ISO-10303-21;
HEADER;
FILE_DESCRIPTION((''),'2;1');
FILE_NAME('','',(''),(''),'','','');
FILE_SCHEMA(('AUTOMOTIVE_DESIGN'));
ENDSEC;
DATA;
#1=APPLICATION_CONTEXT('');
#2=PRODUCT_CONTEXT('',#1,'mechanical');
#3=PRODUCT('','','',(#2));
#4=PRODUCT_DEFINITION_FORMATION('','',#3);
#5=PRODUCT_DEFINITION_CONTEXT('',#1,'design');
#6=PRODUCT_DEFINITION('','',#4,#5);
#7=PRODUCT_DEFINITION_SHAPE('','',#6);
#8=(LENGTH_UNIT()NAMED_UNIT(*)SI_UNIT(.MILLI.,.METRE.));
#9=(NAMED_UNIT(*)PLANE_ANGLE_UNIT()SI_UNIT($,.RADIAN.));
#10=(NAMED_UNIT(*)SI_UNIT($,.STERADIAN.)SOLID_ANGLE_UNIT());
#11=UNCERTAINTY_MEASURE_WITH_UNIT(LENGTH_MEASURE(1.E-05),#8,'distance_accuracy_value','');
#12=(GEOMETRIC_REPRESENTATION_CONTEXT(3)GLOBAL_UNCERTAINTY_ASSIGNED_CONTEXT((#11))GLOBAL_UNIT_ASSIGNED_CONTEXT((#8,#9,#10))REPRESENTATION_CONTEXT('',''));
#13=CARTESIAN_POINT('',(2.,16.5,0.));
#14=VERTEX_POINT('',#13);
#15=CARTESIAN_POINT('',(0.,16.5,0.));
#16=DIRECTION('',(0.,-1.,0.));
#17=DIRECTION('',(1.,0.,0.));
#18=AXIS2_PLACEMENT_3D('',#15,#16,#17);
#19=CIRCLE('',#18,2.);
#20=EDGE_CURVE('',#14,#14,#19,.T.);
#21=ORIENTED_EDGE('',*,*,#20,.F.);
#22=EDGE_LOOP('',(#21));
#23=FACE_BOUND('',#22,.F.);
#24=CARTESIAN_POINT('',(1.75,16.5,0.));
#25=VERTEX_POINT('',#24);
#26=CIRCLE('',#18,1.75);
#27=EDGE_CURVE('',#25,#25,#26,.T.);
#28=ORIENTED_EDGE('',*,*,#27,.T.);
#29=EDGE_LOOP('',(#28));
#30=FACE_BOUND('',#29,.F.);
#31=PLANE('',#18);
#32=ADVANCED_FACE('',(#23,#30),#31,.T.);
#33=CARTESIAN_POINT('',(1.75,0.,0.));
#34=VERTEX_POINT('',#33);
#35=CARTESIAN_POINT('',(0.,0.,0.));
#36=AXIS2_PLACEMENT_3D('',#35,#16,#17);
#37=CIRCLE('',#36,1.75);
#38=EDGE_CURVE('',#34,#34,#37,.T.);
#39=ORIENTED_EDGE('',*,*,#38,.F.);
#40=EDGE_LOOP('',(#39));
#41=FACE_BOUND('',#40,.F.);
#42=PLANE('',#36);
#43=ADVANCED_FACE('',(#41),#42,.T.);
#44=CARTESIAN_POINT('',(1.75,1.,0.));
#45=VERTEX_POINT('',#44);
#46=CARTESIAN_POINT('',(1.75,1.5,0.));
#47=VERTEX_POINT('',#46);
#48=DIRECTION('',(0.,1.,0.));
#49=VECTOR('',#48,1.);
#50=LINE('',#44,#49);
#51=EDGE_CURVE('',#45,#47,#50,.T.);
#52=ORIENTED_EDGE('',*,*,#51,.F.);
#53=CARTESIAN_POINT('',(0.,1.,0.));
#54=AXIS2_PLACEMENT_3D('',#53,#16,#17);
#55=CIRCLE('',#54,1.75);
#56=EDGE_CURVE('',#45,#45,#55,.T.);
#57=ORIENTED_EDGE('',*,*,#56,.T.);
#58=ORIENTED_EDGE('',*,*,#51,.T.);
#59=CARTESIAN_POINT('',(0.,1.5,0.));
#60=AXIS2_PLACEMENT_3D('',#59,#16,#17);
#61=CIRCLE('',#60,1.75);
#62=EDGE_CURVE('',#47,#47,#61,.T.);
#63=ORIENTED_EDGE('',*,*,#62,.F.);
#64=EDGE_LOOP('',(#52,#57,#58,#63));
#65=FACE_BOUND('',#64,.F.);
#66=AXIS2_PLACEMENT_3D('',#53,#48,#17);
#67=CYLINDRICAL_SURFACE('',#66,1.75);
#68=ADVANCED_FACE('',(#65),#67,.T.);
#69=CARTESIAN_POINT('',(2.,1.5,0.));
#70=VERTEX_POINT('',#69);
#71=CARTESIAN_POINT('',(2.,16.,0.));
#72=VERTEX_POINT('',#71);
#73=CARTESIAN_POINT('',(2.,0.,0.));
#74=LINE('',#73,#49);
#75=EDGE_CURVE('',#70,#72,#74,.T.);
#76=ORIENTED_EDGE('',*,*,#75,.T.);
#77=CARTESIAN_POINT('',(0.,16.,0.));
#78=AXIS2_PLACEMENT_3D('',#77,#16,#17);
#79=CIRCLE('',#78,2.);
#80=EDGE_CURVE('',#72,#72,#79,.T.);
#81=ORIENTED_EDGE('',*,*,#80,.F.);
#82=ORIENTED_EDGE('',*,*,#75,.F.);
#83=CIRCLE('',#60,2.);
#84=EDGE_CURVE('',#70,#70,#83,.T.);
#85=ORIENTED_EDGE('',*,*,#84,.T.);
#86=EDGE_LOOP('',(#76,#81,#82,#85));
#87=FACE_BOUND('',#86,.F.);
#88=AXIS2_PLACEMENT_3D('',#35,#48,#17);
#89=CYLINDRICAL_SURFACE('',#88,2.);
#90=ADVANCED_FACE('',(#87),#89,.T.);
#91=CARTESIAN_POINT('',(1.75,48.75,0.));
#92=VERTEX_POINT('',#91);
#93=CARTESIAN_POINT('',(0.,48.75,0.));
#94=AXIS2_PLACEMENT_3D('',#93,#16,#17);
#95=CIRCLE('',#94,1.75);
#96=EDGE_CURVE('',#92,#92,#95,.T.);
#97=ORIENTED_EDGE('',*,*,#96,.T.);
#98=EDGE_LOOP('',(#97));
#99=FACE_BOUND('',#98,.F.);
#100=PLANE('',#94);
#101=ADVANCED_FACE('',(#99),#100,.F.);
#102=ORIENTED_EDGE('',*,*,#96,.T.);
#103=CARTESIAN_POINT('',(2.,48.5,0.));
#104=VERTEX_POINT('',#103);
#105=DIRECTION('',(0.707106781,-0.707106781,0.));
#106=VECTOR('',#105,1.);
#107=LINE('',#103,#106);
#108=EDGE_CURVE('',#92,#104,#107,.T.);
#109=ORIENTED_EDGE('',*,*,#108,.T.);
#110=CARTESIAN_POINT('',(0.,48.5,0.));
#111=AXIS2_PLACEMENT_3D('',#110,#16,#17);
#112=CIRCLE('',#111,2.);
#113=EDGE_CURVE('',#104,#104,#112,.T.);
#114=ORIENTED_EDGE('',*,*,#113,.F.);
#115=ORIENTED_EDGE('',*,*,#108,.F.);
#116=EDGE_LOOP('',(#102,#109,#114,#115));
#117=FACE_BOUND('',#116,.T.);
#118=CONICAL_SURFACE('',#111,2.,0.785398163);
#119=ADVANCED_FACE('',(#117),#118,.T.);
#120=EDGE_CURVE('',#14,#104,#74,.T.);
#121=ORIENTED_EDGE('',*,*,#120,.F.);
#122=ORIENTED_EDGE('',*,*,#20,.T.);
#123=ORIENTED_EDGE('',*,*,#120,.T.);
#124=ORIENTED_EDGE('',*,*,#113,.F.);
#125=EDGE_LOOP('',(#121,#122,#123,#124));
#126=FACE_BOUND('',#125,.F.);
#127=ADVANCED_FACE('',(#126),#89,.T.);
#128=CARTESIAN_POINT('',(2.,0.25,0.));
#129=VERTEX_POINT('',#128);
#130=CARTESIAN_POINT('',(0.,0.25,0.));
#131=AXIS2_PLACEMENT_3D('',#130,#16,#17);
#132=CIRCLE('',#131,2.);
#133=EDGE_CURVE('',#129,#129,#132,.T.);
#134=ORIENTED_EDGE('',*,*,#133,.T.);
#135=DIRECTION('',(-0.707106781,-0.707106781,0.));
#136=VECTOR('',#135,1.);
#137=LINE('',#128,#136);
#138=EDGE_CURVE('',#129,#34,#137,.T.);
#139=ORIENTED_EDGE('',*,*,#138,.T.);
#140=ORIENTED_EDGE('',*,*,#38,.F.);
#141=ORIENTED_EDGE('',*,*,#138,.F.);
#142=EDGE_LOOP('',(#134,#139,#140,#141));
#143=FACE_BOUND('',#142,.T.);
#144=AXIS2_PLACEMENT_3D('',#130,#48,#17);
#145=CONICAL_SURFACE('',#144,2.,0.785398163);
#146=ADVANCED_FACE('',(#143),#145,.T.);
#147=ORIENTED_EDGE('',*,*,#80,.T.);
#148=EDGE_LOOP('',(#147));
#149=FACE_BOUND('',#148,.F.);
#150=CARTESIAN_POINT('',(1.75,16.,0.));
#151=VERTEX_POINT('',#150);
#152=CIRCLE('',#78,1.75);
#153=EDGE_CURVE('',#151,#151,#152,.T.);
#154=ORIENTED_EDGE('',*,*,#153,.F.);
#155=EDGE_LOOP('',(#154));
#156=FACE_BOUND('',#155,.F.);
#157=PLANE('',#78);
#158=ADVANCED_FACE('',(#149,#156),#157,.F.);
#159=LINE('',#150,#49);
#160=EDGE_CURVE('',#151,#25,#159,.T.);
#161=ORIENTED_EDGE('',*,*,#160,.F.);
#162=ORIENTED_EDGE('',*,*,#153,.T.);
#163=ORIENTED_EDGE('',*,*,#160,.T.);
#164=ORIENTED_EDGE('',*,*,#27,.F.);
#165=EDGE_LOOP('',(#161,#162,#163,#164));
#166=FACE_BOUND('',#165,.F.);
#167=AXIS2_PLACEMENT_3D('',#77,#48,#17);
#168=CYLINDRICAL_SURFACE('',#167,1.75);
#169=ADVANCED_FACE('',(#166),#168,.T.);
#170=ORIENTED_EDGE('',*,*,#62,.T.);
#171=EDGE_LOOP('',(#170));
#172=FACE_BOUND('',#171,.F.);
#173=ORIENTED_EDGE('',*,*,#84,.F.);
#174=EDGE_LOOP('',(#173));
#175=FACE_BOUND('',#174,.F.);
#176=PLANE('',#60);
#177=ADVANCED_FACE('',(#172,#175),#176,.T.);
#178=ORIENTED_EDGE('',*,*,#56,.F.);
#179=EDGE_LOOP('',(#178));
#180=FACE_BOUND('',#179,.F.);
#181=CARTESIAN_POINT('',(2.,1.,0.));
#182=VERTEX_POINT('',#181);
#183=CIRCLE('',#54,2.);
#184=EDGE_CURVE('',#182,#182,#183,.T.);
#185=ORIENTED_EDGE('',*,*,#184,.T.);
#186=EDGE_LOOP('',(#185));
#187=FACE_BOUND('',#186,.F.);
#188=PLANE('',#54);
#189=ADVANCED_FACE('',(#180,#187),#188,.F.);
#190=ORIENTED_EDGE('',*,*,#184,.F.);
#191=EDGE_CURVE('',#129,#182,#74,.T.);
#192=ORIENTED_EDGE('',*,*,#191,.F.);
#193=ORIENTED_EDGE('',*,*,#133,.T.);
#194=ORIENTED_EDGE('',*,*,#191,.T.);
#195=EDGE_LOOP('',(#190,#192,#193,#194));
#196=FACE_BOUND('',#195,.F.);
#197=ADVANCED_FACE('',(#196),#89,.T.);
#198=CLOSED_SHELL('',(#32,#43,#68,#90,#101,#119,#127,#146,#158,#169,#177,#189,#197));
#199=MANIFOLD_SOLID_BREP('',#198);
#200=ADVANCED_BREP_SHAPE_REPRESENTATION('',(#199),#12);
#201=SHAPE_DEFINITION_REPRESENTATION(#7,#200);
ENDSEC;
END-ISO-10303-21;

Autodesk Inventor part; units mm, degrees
ref_plane "YZ Plane" through (0, 0, 0) normal (1, 0, 0) x (0, 1, 0)
ref_plane "XZ Plane" through (0, 0, 0) normal (0, 1, 0) x (-1, 0, 0)
ref_plane "XY Plane" through (0, 0, 0) normal (0, 0, 1) x (1, 0, 0)
sketch "Sketch2" plane through (0, 0, 0) normal (0, 0, 1) x (1, 0, 0)
  line L0 (0, 0) -> (2, 0)
  line L1 (2, 0) -> (2, 48.75)
  line L2 (2, 48.75) -> (0, 48.75)
  line L3 (0, 48.75) -> (0, 0)
  line L4 (2, 1) -> (1.75, 1)
  line L5 (1.75, 1) -> (1.75, 1.5)
  line L6 (1.75, 1.5) -> (2, 1.5)
  line L7 (2, 1.5) -> (2, 1)
  line L8 (2, 16) -> (1.75, 16)
  line L9 (1.75, 16) -> (1.75, 16.5)
  line L10 (1.75, 16.5) -> (2, 16.5)
  line L11 (2, 16.5) -> (2, 16)
  dimension "d3" = 2
  dimension "d4" = 48.75
  dimension "d5" = 1
  dimension "d6" = 0.5
  dimension "d7" = 0.25
  dimension "d8" = 16
  dimension "d9" = 0.5
  dimension "d10" = 0.25
revolve "Revolution1" add sketch "Sketch2" angle 360 about axis through (0, 48.75, 0) along (0, -1, 0) contours L3 L2 L1 L10 L9 L8 L6 L5 L4 L0
chamfer "Chamfer1" distance 0.25 angle 45 2 edges at (-2, 48.75, 0) (-2, 0, 0)
properties part number "SHAFT"
